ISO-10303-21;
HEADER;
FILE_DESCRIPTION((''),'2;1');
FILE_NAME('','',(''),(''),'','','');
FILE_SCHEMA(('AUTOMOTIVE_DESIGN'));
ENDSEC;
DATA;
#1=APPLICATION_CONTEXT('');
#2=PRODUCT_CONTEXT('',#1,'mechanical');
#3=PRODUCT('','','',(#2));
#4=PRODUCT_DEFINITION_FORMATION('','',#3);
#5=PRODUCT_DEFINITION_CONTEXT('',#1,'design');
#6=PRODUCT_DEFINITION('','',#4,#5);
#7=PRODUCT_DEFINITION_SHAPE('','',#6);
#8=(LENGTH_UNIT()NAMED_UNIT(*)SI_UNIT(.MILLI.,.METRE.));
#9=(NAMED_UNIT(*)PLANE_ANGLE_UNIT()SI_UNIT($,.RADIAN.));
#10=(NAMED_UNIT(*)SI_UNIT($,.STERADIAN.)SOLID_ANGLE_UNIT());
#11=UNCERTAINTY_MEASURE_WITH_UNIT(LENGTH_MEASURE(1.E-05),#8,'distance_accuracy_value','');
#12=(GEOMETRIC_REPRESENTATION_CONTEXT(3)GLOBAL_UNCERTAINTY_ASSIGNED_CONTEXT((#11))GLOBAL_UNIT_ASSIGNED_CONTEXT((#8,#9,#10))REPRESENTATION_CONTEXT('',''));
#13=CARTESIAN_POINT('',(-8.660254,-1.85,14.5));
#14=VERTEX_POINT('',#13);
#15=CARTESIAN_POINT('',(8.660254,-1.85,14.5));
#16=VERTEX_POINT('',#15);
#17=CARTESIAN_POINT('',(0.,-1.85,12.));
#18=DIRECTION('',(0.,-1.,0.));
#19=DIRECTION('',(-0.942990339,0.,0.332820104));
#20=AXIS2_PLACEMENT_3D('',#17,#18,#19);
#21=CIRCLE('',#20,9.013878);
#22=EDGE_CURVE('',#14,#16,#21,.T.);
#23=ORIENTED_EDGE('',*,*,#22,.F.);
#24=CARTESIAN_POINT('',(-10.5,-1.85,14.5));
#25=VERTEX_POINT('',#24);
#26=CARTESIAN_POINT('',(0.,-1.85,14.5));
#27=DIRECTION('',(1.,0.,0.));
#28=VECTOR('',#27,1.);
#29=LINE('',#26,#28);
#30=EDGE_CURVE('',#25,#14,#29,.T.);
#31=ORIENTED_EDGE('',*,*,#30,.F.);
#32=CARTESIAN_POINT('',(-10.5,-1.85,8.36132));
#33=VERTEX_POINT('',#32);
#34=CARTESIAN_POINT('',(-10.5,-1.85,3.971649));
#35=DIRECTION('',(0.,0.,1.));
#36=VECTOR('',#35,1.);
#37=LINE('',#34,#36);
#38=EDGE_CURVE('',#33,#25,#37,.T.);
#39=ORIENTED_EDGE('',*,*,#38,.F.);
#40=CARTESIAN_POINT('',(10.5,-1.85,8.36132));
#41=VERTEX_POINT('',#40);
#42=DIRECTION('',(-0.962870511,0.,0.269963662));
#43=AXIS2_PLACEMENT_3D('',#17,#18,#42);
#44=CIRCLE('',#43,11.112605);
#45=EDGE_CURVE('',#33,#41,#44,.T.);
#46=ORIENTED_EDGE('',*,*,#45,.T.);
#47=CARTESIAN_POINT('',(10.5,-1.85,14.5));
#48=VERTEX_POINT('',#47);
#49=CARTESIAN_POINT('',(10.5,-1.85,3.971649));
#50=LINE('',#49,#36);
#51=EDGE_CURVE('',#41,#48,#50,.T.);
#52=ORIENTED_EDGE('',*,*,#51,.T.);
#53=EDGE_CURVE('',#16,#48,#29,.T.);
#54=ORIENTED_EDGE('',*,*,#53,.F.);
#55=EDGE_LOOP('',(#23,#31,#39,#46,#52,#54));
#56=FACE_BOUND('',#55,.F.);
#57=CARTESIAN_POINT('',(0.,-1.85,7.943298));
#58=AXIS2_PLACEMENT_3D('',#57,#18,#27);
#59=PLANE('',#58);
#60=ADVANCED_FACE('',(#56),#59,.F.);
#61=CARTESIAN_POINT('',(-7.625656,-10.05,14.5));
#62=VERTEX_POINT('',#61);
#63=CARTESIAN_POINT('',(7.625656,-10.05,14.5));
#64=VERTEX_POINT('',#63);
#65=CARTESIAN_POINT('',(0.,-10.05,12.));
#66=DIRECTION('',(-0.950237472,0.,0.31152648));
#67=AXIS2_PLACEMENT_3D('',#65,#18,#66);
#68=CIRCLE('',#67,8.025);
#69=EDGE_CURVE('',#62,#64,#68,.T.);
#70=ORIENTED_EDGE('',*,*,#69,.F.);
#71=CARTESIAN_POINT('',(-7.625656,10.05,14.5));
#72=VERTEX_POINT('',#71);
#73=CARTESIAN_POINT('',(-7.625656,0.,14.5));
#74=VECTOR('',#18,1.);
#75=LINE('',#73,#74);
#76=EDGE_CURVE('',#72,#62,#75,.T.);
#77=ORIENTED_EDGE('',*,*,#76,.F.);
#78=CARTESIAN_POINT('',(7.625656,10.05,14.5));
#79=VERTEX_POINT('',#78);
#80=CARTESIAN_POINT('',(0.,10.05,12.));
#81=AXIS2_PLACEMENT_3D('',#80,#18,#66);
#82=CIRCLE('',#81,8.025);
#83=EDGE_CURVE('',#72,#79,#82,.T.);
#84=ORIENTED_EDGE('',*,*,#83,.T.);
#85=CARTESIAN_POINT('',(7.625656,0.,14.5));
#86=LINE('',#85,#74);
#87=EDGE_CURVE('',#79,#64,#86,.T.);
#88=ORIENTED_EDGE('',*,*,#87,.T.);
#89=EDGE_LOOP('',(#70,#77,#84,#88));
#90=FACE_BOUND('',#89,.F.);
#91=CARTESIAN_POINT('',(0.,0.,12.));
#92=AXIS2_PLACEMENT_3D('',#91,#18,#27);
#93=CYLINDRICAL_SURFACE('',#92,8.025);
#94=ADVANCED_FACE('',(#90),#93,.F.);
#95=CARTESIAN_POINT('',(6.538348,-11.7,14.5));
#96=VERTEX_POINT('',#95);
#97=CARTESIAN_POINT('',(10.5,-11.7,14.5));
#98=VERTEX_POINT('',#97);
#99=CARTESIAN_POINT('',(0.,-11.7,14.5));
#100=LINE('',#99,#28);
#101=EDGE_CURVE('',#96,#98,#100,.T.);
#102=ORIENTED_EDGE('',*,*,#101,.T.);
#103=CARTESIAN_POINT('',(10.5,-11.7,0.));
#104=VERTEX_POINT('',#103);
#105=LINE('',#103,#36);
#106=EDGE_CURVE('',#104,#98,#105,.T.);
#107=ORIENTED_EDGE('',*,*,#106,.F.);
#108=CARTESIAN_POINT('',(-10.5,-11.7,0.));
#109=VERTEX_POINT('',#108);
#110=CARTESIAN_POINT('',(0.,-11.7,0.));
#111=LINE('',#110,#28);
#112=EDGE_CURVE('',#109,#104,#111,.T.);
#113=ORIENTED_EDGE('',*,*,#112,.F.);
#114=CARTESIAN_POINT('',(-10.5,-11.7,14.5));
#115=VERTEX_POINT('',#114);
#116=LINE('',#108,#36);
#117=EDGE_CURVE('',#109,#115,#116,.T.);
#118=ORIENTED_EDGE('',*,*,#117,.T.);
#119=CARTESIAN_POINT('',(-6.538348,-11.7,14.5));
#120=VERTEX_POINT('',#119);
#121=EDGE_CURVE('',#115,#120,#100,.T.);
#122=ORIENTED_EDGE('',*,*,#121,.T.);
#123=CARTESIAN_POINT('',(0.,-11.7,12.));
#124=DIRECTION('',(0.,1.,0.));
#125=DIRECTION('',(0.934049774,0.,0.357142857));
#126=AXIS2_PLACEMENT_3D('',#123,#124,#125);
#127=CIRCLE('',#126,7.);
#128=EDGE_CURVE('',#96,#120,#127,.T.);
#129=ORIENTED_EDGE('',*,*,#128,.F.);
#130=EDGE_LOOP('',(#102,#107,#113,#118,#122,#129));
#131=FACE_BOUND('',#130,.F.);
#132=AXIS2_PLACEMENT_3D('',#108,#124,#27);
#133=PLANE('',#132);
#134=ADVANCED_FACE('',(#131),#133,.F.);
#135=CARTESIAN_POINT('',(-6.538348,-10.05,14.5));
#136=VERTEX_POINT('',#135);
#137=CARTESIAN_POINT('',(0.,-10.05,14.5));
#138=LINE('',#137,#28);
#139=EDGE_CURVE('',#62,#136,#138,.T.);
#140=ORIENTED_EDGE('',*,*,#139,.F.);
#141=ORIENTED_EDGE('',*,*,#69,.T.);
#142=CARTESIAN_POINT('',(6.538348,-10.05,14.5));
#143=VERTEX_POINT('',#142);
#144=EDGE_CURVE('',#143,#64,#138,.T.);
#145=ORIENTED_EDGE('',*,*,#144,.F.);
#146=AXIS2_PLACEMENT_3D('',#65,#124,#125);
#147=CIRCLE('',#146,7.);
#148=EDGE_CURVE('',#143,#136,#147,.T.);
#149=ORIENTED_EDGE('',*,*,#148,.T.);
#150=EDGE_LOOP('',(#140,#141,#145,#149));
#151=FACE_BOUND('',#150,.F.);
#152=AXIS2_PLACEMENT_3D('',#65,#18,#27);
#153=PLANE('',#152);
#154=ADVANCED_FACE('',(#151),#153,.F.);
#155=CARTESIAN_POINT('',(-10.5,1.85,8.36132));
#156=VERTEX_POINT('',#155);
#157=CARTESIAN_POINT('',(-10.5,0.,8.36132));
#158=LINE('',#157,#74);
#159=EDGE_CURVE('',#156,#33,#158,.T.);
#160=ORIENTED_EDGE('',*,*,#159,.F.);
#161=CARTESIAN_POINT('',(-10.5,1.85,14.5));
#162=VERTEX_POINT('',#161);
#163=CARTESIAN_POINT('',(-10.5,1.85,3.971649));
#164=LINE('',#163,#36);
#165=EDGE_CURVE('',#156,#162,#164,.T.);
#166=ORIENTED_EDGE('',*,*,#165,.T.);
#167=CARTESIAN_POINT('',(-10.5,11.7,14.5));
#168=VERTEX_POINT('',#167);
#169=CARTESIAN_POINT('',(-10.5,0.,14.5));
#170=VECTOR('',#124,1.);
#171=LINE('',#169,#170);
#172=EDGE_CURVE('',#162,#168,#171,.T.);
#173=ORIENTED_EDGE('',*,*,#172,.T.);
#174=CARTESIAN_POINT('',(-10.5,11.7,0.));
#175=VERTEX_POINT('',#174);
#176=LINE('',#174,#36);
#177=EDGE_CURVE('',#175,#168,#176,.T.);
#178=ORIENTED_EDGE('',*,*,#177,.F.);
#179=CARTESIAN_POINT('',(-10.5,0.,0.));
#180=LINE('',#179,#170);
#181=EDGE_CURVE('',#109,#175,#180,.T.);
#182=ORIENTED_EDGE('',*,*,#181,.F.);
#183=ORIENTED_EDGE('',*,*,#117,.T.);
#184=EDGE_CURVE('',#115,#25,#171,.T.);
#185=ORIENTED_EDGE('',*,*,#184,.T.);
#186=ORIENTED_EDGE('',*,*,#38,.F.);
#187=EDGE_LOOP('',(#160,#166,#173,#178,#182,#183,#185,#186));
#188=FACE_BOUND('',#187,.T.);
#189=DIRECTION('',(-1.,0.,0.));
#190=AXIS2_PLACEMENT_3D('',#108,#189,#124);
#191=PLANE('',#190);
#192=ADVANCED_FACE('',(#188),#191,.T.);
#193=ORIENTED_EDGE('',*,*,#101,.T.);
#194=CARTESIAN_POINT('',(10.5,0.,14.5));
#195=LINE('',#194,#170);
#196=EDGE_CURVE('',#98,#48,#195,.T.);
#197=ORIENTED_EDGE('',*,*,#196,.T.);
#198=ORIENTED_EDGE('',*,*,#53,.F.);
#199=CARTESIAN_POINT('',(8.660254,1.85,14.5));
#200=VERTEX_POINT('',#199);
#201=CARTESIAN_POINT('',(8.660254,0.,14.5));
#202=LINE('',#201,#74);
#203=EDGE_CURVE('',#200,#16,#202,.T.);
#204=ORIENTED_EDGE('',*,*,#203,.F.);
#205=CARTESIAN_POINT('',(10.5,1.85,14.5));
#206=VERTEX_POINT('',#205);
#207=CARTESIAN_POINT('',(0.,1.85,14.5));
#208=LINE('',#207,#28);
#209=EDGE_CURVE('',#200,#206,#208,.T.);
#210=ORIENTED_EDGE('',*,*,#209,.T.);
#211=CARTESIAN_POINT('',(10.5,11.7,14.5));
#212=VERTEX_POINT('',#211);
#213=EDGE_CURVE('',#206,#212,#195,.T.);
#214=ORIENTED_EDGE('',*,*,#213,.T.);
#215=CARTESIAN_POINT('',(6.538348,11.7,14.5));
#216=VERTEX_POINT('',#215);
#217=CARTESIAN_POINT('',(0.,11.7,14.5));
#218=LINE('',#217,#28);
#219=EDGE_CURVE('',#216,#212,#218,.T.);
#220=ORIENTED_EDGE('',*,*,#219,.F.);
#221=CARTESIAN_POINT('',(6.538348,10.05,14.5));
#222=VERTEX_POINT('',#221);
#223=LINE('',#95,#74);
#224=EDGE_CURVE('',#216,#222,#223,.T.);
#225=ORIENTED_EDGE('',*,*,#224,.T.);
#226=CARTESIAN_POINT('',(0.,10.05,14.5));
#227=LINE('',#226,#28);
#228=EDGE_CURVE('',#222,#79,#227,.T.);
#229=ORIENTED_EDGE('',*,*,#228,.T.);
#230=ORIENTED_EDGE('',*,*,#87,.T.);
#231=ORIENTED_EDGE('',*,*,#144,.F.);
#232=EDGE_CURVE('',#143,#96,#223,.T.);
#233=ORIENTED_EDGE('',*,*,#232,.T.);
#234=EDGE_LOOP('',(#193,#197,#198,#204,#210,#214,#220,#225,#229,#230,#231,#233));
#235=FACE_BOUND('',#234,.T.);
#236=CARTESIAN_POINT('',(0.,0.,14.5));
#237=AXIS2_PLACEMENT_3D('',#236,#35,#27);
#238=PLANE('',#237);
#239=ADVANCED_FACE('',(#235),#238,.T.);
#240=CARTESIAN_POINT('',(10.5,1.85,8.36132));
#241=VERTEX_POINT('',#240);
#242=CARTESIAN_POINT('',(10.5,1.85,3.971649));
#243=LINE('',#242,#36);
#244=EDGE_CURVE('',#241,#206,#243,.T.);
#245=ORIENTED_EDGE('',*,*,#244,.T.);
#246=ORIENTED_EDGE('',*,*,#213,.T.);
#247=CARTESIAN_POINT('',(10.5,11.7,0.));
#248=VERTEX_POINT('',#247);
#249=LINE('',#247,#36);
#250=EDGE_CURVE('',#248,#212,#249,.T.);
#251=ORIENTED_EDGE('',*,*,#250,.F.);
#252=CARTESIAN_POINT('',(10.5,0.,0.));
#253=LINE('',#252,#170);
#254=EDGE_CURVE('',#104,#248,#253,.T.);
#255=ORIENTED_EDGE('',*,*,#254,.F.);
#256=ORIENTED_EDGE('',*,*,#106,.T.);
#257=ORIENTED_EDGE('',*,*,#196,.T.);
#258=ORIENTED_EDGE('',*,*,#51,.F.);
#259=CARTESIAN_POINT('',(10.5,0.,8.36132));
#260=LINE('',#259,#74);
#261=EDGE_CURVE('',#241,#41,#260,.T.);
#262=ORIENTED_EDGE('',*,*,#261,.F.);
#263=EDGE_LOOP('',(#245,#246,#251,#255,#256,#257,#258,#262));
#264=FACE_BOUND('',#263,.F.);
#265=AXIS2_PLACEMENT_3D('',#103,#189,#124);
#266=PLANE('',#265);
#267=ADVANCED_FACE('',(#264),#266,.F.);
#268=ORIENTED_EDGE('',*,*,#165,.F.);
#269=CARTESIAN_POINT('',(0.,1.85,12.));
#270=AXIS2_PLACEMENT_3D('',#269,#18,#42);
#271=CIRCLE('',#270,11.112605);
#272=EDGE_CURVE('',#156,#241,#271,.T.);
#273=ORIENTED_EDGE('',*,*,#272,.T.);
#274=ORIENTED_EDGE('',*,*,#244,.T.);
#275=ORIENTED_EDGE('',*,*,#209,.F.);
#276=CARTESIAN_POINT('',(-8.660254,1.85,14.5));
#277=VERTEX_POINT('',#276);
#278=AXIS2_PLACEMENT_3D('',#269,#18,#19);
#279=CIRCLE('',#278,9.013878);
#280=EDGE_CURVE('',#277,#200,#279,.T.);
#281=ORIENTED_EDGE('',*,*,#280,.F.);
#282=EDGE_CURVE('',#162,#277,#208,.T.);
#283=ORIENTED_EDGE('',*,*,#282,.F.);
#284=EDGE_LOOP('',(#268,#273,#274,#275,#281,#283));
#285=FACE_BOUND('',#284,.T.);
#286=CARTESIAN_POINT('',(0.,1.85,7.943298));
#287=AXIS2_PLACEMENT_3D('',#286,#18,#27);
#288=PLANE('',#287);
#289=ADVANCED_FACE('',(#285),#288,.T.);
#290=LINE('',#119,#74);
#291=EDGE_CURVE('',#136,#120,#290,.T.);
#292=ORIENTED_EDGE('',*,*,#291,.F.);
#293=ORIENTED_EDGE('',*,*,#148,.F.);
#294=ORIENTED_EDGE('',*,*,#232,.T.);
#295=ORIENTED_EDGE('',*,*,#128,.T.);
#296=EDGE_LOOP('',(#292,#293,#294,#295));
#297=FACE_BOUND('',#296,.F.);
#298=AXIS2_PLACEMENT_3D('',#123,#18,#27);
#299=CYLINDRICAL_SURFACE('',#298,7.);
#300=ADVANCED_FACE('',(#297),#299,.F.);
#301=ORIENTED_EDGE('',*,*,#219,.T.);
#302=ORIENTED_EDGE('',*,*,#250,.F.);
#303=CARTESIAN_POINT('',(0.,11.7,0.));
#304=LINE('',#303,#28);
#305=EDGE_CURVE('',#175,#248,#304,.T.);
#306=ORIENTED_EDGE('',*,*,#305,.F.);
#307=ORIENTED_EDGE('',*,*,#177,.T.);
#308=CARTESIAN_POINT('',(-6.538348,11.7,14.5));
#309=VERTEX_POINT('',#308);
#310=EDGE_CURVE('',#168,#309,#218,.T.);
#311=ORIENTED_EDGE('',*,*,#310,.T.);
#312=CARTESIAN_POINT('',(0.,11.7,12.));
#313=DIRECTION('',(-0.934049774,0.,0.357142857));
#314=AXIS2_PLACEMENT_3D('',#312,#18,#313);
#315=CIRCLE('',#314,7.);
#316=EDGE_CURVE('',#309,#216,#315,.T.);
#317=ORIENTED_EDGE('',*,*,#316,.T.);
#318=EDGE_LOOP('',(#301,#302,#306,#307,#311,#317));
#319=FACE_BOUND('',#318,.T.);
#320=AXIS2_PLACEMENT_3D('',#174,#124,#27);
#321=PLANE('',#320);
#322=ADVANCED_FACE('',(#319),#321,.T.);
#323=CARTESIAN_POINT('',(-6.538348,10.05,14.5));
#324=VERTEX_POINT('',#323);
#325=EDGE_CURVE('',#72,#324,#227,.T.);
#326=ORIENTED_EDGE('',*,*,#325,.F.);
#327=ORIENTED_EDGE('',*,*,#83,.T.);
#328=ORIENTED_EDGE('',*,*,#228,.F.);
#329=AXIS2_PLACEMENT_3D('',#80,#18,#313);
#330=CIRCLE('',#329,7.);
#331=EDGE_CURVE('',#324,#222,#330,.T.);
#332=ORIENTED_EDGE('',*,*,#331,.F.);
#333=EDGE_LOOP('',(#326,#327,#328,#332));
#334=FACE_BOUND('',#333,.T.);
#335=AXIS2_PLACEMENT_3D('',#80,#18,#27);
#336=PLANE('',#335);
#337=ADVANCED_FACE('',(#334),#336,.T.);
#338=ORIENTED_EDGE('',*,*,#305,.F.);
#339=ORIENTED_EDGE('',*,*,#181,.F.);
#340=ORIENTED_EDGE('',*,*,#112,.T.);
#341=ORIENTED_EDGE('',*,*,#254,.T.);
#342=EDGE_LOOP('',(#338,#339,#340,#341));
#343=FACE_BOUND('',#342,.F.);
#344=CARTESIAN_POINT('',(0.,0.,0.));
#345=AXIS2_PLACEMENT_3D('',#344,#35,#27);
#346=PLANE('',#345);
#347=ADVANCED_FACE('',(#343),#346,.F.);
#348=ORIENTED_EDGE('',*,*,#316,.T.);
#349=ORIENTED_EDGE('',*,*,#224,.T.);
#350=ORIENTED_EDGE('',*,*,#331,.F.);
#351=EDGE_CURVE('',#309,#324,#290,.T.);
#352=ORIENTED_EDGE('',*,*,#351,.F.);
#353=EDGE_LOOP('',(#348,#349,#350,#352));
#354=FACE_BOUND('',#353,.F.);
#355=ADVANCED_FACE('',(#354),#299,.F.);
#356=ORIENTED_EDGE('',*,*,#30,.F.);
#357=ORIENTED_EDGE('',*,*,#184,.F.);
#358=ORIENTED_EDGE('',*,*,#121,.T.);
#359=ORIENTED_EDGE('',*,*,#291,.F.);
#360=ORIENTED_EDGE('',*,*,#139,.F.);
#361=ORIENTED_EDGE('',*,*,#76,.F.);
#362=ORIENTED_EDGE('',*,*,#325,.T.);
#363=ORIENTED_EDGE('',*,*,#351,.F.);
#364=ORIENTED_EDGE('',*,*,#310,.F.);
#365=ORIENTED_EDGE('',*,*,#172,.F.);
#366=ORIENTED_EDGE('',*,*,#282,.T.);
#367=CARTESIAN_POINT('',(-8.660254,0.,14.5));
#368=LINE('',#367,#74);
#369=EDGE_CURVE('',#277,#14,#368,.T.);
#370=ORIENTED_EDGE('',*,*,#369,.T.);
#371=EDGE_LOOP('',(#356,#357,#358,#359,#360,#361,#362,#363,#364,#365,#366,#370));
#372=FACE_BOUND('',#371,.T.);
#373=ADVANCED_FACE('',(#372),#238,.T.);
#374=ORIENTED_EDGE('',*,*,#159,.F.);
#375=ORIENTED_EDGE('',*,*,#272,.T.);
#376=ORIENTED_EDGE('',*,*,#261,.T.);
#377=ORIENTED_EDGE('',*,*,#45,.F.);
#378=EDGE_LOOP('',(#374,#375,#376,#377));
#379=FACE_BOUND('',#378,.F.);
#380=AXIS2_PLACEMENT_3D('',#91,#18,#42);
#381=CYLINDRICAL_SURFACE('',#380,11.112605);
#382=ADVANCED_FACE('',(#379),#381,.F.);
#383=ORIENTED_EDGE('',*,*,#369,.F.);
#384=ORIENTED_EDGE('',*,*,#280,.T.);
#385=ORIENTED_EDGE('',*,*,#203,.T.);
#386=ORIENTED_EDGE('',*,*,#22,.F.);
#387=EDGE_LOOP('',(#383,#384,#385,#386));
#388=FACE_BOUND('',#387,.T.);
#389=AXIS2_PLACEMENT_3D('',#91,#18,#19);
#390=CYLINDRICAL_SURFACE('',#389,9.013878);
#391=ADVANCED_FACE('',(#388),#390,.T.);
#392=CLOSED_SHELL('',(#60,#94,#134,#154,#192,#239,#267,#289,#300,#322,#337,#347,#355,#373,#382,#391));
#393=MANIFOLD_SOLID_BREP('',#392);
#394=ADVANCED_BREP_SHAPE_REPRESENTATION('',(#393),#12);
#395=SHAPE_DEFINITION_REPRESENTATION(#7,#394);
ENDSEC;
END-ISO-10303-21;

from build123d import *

# Parameters (mm, degrees)
PAD002_DEPTH = 1.85
SKETCH001_R  = 8.025
PAD001_DEPTH = 10.05
SKETCH_W     = 21
SKETCH_H     = 23.4
PAD_DEPTH    = 14.5
SKETCH002_R  = 7
POCKET_DEPTH = 23.401


with BuildPart() as pad002:
    # Sketch003 → Pad002 (new body, symmetric)
    with BuildSketch(Plane.XZ):
        with BuildLine():
            Line((-8.5, 15), (-10.7, 15))
            ThreePointArc((-10.7, 15), (0, 0.887395), (10.7, 15))
            Line((8.5, 15), (10.7, 15))
            ThreePointArc((-8.5, 15), (0, 2.986122), (8.5, 15))
        make_face()
    extrude(amount=PAD002_DEPTH, both=True)


with BuildPart() as pad001:
    # Sketch001 → Pad001 (new body, symmetric)
    with BuildSketch(Plane.XZ):
        with Locations((0, 12)):
            Circle(SKETCH001_R)
    extrude(amount=PAD001_DEPTH, both=True)


with BuildPart() as cut001:
    # Sketch → Pad (new body)
    with BuildSketch(Plane.XY):
        Rectangle(SKETCH_W, SKETCH_H)
    extrude(amount=PAD_DEPTH)

    # Cut: cut Pad001
    add(pad001.part, mode=Mode.SUBTRACT)

    # Sketch002 → Pocket (cut, through all)
    with BuildSketch(Plane.XZ.offset(11.7)):
        with Locations((0, 12)):
            Circle(SKETCH002_R)
    extrude(amount=-POCKET_DEPTH, mode=Mode.SUBTRACT)

    # Cut001: cut Pad002
    add(pad002.part, mode=Mode.SUBTRACT)


solid = cut001.part
